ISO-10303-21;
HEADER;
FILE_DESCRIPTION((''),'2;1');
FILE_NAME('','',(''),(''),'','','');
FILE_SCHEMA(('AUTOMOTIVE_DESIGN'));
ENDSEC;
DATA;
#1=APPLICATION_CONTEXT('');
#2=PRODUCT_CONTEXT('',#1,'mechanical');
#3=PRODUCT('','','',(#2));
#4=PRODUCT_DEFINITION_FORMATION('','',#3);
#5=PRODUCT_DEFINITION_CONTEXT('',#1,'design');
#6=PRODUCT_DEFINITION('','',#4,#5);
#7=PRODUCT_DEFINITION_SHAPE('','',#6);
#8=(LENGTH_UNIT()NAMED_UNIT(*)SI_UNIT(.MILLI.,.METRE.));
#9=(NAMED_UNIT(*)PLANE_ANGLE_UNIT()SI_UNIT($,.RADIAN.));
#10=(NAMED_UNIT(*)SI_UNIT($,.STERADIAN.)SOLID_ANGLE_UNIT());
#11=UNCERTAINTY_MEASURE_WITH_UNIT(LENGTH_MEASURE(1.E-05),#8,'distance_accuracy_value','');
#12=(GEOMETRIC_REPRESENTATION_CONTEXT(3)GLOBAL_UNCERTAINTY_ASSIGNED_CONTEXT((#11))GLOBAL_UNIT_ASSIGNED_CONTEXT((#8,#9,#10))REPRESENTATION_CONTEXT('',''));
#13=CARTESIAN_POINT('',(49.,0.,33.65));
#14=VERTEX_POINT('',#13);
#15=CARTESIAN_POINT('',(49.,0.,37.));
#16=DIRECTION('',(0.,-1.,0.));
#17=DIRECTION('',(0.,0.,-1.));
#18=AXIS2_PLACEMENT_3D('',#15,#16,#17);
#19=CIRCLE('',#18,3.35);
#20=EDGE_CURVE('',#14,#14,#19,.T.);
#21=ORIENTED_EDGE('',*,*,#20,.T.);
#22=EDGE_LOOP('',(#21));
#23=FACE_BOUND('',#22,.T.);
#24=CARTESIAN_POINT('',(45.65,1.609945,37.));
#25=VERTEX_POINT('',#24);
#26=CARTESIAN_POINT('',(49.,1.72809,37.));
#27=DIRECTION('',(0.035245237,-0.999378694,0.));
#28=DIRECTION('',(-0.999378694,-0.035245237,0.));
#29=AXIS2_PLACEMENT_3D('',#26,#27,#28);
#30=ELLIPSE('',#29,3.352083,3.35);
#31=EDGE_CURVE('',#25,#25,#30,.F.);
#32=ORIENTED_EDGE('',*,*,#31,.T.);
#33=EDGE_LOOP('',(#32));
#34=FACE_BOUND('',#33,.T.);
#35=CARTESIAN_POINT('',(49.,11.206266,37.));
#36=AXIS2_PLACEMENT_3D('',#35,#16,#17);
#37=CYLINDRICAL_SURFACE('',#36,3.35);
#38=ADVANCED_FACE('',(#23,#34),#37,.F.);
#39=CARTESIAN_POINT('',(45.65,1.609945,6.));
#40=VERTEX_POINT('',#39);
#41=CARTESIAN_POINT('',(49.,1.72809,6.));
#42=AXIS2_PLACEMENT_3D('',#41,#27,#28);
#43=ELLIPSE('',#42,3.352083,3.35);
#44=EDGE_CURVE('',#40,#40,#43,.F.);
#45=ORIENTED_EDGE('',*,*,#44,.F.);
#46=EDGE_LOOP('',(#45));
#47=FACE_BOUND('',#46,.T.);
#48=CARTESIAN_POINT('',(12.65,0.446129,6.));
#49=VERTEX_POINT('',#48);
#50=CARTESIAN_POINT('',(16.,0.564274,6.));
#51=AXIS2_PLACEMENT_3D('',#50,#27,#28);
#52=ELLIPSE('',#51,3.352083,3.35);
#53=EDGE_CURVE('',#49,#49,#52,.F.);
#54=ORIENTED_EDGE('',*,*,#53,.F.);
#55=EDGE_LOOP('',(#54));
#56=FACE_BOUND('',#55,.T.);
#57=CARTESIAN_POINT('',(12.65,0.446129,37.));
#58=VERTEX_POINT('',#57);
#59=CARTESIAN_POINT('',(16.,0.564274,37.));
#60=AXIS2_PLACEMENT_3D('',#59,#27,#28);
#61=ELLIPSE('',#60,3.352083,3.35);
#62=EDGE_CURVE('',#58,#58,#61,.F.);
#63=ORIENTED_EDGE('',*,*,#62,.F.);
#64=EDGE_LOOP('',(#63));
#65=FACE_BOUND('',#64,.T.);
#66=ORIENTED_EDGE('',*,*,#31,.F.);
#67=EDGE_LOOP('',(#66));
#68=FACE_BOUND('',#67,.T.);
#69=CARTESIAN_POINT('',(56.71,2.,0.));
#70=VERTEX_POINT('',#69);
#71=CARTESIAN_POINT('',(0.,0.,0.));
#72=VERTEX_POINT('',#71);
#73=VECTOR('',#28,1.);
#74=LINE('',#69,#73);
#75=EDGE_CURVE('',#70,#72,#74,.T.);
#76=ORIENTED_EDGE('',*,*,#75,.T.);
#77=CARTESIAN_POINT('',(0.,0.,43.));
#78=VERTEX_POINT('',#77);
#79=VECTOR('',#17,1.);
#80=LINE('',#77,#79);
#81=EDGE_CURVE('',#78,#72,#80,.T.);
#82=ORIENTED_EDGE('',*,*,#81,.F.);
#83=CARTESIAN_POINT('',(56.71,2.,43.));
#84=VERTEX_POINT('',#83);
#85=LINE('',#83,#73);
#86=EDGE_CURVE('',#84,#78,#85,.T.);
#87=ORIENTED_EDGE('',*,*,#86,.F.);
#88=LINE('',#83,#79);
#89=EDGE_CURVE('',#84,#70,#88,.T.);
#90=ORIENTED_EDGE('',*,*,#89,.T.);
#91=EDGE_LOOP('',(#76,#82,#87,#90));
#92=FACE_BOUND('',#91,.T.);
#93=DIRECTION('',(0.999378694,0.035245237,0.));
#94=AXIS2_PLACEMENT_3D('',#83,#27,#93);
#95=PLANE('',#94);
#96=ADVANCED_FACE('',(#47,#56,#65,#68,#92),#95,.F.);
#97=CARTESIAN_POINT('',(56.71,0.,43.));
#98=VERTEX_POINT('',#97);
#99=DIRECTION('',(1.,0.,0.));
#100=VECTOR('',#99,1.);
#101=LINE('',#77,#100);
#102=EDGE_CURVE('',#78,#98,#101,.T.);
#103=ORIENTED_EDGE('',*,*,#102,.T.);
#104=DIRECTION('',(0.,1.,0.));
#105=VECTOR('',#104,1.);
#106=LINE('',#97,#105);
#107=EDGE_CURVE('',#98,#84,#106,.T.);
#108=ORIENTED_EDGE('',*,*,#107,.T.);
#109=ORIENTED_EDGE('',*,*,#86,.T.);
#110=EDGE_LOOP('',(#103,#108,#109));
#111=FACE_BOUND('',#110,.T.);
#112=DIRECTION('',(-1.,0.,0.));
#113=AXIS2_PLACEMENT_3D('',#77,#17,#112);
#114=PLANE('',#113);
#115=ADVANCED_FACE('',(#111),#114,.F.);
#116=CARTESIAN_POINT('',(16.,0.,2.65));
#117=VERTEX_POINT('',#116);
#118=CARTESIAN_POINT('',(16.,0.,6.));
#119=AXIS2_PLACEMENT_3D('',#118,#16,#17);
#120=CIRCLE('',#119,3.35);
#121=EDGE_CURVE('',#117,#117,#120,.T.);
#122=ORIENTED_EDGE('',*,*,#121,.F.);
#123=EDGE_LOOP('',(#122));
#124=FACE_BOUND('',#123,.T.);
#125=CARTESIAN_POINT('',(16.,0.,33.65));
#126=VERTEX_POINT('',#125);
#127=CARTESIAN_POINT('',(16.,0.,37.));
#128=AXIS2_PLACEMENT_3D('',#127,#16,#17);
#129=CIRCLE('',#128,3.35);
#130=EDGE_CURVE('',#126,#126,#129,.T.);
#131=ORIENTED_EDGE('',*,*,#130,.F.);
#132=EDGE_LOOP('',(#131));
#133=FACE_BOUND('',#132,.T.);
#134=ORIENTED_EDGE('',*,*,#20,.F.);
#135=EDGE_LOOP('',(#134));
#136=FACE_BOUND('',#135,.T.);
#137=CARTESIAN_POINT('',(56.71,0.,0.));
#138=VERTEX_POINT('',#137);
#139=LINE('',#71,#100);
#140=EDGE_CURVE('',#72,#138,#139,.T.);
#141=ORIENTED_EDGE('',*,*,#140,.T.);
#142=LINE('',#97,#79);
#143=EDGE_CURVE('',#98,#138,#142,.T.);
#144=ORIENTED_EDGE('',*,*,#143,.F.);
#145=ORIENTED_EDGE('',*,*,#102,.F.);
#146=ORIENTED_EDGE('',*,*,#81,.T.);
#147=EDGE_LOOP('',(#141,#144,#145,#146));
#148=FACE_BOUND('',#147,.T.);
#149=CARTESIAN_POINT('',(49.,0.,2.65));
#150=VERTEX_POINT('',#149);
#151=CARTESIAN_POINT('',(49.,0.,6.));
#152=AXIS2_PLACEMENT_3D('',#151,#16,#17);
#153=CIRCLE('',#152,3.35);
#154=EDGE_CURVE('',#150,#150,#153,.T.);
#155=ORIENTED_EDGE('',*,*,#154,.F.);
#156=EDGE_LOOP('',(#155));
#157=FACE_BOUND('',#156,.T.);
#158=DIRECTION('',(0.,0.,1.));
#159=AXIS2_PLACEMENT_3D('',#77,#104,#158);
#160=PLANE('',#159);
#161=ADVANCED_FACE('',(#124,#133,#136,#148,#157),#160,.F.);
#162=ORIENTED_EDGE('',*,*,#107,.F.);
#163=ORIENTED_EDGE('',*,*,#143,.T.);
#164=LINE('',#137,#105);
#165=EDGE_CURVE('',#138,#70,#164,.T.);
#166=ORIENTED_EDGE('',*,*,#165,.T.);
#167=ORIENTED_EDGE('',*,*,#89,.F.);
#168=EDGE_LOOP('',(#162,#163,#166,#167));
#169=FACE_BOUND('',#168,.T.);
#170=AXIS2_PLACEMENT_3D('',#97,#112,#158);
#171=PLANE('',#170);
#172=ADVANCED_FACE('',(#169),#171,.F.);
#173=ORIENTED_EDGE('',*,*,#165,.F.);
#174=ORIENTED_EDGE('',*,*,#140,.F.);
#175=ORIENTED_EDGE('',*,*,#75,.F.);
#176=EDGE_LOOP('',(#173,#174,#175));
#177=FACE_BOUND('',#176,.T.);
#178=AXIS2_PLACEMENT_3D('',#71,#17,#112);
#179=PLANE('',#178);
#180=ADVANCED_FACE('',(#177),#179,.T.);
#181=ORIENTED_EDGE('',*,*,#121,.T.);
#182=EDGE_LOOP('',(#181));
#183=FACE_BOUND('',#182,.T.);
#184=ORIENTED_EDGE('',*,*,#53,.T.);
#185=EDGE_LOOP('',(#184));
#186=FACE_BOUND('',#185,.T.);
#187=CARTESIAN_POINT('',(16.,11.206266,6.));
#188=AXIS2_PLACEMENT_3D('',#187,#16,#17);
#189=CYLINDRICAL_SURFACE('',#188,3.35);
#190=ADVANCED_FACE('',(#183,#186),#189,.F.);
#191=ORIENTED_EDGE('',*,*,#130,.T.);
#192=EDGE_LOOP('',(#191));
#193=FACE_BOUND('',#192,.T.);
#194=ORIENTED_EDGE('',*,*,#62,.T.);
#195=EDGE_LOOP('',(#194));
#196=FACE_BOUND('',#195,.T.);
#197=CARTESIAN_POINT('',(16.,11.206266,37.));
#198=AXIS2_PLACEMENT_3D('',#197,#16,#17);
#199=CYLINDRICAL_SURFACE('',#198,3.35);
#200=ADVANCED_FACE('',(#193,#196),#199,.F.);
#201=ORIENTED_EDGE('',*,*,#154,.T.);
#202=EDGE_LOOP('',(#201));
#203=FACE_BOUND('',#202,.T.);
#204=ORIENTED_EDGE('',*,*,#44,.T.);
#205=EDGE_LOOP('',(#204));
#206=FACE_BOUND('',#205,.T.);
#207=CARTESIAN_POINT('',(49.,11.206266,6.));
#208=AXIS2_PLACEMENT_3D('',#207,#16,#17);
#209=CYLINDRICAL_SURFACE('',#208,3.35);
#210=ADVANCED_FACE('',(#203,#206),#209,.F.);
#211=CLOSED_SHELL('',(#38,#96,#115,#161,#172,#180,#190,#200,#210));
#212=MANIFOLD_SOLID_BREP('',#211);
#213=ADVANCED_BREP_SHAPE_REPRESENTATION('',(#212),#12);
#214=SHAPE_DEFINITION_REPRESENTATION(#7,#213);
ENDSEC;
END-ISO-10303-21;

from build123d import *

# Parameters (mm, degrees)
BOSS_EXTRUDE1_DEPTH = 43
CUT_EXTRUDE1_REACH  = 4
SKETCH2_R           = 3.35


with BuildPart() as part:
    # Sketch1 → Boss-Extrude1 (new body)
    with BuildSketch(Plane.XY):
        Polygon((0, 0), (56.71, 0), (56.71, 2), align=None)
    extrude(amount=BOSS_EXTRUDE1_DEPTH)

    # Cut-Extrude1: up to this face of the body (flat: up to its plane)
    cut_extrude1_end = Plane(part.part.faces().sort_by_distance((28.355, 1, 21.5))[0])
    # Sketch2 → Cut-Extrude1 (cut, up to the picked face)
    with BuildSketch(Plane.XZ, mode=Mode.PRIVATE) as cut_extrude1_sk1:
        with Locations((49, 6)):
            Circle(SKETCH2_R)
    cut_extrude1_tool1 = split(extrude(cut_extrude1_sk1.sketch, amount=-CUT_EXTRUDE1_REACH, mode=Mode.PRIVATE), bisect_by=cut_extrude1_end, keep=Keep.BOTH, mode=Mode.PRIVATE)
    add(cut_extrude1_tool1.solids().sort_by_distance((49, 0, 6))[0], mode=Mode.SUBTRACT)
    # Sketch2 → Cut-Extrude1 (cut, up to the picked face)
    with BuildSketch(Plane.XZ, mode=Mode.PRIVATE) as cut_extrude1_sk2:
        with Locations((49, 37)):
            Circle(SKETCH2_R)
    cut_extrude1_tool2 = split(extrude(cut_extrude1_sk2.sketch, amount=-CUT_EXTRUDE1_REACH, mode=Mode.PRIVATE), bisect_by=cut_extrude1_end, keep=Keep.BOTH, mode=Mode.PRIVATE)
    add(cut_extrude1_tool2.solids().sort_by_distance((49, 0, 37))[0], mode=Mode.SUBTRACT)
    # Sketch2 → Cut-Extrude1 (cut, up to the picked face)
    with BuildSketch(Plane.XZ, mode=Mode.PRIVATE) as cut_extrude1_sk3:
        with Locations((16, 37)):
            Circle(SKETCH2_R)
    cut_extrude1_tool3 = split(extrude(cut_extrude1_sk3.sketch, amount=-CUT_EXTRUDE1_REACH, mode=Mode.PRIVATE), bisect_by=cut_extrude1_end, keep=Keep.BOTH, mode=Mode.PRIVATE)
    add(cut_extrude1_tool3.solids().sort_by_distance((16, 0, 37))[0], mode=Mode.SUBTRACT)
    # Sketch2 → Cut-Extrude1 (cut, up to the picked face)
    with BuildSketch(Plane.XZ, mode=Mode.PRIVATE) as cut_extrude1_sk4:
        with Locations((16, 6)):
            Circle(SKETCH2_R)
    cut_extrude1_tool4 = split(extrude(cut_extrude1_sk4.sketch, amount=-CUT_EXTRUDE1_REACH, mode=Mode.PRIVATE), bisect_by=cut_extrude1_end, keep=Keep.BOTH, mode=Mode.PRIVATE)
    add(cut_extrude1_tool4.solids().sort_by_distance((16, 0, 6))[0], mode=Mode.SUBTRACT)


solid = part.part
